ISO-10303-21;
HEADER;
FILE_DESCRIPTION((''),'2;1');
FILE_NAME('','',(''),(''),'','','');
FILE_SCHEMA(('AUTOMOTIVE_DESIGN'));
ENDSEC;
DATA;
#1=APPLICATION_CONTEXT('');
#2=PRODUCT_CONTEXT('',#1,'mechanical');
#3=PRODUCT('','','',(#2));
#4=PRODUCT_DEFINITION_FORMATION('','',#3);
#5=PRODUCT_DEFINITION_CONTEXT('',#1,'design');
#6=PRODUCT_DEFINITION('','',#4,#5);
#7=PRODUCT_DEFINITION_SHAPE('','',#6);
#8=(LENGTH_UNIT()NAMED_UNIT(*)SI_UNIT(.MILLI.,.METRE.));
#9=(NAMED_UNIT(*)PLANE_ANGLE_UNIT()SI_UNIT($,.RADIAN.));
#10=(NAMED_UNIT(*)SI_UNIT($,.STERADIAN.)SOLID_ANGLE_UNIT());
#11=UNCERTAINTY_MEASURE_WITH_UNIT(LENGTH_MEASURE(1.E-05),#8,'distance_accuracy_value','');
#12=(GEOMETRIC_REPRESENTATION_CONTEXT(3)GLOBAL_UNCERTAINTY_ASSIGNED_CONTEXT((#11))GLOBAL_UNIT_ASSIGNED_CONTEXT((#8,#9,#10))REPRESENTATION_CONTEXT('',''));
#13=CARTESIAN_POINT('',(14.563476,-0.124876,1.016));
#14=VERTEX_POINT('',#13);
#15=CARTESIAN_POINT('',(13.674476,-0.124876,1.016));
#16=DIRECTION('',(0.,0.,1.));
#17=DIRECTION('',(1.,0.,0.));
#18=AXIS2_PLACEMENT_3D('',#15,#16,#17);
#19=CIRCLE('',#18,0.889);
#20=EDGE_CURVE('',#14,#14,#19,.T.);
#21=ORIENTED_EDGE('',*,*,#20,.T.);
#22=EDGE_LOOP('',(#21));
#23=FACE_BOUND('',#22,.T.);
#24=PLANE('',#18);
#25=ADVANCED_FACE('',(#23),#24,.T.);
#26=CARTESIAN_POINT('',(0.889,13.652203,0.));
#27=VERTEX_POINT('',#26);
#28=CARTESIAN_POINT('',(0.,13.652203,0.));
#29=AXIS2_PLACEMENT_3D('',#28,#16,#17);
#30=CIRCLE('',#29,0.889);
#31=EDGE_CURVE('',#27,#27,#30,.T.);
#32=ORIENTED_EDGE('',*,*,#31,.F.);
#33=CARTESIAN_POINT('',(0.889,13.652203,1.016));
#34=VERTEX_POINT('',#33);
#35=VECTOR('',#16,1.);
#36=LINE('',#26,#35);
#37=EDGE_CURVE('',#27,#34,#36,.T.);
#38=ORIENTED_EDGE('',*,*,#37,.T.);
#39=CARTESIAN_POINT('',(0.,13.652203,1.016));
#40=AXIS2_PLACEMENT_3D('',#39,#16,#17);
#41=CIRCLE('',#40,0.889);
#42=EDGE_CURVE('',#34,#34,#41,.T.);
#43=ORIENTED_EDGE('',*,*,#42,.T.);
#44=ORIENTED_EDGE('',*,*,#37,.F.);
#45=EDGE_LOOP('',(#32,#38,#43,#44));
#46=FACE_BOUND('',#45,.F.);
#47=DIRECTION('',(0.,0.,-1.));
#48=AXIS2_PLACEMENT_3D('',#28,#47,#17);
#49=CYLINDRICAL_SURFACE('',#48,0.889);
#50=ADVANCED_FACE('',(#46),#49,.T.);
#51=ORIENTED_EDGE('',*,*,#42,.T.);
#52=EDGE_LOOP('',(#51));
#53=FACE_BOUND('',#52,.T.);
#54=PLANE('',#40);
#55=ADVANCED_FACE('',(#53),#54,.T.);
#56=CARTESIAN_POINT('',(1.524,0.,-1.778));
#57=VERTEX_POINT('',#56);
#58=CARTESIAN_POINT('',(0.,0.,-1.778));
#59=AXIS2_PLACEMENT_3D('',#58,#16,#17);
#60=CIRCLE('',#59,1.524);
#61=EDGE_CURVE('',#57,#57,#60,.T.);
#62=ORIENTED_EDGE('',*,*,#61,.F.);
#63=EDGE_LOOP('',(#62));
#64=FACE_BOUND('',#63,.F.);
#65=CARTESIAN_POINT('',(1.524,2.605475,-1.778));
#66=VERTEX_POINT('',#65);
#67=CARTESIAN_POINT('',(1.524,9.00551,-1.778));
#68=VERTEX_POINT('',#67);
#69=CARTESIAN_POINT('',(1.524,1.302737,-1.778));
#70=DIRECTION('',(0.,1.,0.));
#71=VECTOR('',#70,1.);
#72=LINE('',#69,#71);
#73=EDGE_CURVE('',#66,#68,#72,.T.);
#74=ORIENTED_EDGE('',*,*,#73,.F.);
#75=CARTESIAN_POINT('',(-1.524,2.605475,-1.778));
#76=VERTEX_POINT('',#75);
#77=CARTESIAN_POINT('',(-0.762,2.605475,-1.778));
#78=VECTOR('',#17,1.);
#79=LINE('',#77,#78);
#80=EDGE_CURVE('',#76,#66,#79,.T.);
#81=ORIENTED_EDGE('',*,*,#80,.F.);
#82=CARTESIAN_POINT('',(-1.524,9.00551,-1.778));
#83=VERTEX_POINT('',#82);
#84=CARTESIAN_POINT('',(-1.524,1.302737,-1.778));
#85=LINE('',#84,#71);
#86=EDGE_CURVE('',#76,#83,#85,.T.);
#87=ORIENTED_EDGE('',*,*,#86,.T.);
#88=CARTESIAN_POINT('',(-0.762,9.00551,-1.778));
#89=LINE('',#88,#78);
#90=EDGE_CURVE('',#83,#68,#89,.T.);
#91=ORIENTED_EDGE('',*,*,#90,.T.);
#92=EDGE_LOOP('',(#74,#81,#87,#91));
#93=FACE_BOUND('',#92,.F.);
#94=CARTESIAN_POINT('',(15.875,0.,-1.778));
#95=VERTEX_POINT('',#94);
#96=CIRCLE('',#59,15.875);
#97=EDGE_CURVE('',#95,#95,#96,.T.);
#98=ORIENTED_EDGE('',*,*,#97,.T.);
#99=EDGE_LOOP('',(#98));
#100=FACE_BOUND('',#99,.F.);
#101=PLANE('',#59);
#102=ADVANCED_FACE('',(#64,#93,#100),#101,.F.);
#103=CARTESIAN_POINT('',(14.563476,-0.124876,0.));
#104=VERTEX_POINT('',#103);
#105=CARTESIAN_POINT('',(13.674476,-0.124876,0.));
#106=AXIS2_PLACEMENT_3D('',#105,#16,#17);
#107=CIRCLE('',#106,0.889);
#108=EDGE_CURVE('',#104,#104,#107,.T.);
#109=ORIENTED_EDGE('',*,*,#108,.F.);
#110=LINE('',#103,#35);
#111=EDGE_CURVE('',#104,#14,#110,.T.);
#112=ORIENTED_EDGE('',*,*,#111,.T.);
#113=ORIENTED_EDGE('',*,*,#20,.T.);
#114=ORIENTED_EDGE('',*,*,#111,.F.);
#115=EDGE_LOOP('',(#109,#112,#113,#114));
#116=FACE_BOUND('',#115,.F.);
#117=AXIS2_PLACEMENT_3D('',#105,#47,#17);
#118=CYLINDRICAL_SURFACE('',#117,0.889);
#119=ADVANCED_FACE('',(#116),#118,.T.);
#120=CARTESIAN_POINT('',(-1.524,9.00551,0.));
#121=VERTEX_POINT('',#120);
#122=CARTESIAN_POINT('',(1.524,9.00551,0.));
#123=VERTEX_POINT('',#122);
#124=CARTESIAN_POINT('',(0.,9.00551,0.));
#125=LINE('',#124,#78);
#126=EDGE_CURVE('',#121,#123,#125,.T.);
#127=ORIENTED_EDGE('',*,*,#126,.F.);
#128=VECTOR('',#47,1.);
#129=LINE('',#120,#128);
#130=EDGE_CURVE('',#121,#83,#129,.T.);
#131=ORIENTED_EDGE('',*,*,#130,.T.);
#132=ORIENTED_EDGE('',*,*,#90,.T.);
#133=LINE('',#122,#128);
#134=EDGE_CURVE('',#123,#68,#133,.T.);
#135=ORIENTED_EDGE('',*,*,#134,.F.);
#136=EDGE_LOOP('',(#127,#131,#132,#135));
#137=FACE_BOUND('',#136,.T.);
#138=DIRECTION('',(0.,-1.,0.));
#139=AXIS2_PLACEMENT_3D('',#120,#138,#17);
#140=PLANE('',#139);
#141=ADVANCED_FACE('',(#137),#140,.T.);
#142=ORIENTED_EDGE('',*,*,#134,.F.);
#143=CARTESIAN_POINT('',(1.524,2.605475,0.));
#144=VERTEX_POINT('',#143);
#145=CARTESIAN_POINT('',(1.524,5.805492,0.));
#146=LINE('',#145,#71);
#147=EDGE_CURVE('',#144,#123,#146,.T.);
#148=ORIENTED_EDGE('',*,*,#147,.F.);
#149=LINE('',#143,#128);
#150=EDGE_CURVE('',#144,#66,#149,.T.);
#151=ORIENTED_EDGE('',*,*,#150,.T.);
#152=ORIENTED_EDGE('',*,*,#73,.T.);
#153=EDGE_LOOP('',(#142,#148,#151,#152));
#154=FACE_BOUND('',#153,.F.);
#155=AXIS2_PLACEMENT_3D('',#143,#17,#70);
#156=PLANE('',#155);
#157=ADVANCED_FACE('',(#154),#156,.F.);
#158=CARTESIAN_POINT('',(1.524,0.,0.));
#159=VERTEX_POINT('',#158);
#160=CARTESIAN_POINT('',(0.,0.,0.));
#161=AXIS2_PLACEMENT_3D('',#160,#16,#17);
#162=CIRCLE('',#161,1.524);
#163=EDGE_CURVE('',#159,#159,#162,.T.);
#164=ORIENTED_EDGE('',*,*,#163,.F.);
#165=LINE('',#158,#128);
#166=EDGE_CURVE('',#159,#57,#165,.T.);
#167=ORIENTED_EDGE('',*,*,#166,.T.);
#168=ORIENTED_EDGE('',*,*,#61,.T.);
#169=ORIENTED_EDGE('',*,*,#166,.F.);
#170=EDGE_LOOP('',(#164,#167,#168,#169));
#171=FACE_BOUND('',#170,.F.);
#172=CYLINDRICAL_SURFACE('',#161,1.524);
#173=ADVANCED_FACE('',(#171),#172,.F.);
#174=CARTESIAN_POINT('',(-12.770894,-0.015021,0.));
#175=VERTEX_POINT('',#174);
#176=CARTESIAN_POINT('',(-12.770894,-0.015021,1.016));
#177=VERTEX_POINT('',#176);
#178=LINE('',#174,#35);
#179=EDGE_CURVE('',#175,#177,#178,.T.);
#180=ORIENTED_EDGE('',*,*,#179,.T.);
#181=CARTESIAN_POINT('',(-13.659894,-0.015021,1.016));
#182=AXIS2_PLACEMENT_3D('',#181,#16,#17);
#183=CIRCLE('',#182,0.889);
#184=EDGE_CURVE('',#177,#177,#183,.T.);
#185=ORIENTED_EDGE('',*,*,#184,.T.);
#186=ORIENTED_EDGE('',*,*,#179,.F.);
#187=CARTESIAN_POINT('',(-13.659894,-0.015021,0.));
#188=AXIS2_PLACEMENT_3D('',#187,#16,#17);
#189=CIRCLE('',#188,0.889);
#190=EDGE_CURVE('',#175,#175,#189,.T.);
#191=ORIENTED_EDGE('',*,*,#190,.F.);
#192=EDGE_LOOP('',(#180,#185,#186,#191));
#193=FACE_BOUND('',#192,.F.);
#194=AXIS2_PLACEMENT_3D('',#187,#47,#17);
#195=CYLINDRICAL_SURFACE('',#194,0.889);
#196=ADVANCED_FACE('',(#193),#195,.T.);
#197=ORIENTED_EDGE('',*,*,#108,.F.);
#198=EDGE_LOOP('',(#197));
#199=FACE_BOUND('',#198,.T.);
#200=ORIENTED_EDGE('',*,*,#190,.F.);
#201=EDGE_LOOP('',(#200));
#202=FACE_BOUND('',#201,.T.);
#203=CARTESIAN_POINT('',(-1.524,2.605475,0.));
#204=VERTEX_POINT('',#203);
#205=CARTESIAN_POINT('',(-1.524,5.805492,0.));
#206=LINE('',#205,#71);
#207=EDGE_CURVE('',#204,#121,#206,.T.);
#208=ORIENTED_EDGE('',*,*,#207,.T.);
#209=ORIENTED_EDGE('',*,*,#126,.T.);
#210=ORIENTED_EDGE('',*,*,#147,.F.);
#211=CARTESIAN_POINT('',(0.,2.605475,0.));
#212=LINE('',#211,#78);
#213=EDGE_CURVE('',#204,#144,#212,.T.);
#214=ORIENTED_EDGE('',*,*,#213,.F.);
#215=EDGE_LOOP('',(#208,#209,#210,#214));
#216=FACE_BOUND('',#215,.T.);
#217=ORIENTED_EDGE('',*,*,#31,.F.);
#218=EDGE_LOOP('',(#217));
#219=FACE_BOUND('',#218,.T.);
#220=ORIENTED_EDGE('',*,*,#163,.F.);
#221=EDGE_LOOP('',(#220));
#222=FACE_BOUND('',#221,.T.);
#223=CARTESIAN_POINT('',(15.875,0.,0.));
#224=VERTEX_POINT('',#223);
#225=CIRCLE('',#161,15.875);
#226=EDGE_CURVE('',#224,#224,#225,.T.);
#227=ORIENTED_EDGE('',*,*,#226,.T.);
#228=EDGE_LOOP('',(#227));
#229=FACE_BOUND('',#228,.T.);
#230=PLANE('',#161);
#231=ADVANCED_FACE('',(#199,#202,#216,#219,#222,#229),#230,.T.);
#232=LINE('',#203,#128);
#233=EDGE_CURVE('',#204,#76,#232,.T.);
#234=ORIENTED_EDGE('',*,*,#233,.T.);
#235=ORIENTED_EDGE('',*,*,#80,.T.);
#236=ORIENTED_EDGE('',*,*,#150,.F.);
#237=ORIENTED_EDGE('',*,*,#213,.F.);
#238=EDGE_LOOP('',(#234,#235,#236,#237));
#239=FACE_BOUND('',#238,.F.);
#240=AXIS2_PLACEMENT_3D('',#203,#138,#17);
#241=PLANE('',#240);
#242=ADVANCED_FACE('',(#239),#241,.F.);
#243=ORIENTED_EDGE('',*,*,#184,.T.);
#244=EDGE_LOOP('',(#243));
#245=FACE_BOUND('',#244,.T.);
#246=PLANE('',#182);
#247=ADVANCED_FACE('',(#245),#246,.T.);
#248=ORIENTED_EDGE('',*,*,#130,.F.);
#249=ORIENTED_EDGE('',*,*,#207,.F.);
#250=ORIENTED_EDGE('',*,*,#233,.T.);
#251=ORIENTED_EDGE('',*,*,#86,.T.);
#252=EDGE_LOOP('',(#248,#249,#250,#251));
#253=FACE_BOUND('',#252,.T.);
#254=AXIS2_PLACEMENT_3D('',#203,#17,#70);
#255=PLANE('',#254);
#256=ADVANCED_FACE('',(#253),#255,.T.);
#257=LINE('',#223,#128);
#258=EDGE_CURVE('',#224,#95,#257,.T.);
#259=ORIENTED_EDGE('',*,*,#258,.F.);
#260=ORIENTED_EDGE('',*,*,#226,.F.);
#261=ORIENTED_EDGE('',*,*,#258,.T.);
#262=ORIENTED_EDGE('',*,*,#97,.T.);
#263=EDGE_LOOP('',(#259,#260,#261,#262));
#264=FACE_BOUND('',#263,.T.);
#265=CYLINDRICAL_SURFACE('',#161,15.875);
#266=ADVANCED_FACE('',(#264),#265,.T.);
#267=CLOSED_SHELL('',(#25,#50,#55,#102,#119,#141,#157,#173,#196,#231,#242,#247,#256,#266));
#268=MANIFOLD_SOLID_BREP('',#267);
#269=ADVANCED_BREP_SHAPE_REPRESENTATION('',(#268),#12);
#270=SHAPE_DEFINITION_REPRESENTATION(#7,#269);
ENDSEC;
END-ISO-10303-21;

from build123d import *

# Parameters (mm, degrees)
F0_R     = 15.875
F1_DEPTH = 1.778
F3_R     = 0.889
F4_DEPTH = 1.016
F5_R     = 1.524
F5_W     = 3.048
F5_H     = 6.400035
F6_DEPTH = 2.22015


with BuildPart() as f1:
    # F0 (on Top) → F1 (new body)
    with BuildSketch(Plane.XY):
        Circle(F0_R)
    extrude(amount=-F1_DEPTH)

    # F3 (on face) → F4 (join)
    with BuildSketch(Plane.XY):
        with Locations((0, 13.652203)):
            Circle(F3_R)
        with Locations((-13.659894, -0.015021)):
            Circle(F3_R)
        with Locations((13.674476, -0.124876)):
            Circle(F3_R)
    extrude(amount=F4_DEPTH)

    # F5 (on face) → F6 (cut)
    with BuildSketch(Plane.XY):
        Circle(F5_R)
        with Locations((0, 5.805492)):
            Rectangle(F5_W, F5_H)
    extrude(amount=-F6_DEPTH, mode=Mode.SUBTRACT)


solid = f1.part
